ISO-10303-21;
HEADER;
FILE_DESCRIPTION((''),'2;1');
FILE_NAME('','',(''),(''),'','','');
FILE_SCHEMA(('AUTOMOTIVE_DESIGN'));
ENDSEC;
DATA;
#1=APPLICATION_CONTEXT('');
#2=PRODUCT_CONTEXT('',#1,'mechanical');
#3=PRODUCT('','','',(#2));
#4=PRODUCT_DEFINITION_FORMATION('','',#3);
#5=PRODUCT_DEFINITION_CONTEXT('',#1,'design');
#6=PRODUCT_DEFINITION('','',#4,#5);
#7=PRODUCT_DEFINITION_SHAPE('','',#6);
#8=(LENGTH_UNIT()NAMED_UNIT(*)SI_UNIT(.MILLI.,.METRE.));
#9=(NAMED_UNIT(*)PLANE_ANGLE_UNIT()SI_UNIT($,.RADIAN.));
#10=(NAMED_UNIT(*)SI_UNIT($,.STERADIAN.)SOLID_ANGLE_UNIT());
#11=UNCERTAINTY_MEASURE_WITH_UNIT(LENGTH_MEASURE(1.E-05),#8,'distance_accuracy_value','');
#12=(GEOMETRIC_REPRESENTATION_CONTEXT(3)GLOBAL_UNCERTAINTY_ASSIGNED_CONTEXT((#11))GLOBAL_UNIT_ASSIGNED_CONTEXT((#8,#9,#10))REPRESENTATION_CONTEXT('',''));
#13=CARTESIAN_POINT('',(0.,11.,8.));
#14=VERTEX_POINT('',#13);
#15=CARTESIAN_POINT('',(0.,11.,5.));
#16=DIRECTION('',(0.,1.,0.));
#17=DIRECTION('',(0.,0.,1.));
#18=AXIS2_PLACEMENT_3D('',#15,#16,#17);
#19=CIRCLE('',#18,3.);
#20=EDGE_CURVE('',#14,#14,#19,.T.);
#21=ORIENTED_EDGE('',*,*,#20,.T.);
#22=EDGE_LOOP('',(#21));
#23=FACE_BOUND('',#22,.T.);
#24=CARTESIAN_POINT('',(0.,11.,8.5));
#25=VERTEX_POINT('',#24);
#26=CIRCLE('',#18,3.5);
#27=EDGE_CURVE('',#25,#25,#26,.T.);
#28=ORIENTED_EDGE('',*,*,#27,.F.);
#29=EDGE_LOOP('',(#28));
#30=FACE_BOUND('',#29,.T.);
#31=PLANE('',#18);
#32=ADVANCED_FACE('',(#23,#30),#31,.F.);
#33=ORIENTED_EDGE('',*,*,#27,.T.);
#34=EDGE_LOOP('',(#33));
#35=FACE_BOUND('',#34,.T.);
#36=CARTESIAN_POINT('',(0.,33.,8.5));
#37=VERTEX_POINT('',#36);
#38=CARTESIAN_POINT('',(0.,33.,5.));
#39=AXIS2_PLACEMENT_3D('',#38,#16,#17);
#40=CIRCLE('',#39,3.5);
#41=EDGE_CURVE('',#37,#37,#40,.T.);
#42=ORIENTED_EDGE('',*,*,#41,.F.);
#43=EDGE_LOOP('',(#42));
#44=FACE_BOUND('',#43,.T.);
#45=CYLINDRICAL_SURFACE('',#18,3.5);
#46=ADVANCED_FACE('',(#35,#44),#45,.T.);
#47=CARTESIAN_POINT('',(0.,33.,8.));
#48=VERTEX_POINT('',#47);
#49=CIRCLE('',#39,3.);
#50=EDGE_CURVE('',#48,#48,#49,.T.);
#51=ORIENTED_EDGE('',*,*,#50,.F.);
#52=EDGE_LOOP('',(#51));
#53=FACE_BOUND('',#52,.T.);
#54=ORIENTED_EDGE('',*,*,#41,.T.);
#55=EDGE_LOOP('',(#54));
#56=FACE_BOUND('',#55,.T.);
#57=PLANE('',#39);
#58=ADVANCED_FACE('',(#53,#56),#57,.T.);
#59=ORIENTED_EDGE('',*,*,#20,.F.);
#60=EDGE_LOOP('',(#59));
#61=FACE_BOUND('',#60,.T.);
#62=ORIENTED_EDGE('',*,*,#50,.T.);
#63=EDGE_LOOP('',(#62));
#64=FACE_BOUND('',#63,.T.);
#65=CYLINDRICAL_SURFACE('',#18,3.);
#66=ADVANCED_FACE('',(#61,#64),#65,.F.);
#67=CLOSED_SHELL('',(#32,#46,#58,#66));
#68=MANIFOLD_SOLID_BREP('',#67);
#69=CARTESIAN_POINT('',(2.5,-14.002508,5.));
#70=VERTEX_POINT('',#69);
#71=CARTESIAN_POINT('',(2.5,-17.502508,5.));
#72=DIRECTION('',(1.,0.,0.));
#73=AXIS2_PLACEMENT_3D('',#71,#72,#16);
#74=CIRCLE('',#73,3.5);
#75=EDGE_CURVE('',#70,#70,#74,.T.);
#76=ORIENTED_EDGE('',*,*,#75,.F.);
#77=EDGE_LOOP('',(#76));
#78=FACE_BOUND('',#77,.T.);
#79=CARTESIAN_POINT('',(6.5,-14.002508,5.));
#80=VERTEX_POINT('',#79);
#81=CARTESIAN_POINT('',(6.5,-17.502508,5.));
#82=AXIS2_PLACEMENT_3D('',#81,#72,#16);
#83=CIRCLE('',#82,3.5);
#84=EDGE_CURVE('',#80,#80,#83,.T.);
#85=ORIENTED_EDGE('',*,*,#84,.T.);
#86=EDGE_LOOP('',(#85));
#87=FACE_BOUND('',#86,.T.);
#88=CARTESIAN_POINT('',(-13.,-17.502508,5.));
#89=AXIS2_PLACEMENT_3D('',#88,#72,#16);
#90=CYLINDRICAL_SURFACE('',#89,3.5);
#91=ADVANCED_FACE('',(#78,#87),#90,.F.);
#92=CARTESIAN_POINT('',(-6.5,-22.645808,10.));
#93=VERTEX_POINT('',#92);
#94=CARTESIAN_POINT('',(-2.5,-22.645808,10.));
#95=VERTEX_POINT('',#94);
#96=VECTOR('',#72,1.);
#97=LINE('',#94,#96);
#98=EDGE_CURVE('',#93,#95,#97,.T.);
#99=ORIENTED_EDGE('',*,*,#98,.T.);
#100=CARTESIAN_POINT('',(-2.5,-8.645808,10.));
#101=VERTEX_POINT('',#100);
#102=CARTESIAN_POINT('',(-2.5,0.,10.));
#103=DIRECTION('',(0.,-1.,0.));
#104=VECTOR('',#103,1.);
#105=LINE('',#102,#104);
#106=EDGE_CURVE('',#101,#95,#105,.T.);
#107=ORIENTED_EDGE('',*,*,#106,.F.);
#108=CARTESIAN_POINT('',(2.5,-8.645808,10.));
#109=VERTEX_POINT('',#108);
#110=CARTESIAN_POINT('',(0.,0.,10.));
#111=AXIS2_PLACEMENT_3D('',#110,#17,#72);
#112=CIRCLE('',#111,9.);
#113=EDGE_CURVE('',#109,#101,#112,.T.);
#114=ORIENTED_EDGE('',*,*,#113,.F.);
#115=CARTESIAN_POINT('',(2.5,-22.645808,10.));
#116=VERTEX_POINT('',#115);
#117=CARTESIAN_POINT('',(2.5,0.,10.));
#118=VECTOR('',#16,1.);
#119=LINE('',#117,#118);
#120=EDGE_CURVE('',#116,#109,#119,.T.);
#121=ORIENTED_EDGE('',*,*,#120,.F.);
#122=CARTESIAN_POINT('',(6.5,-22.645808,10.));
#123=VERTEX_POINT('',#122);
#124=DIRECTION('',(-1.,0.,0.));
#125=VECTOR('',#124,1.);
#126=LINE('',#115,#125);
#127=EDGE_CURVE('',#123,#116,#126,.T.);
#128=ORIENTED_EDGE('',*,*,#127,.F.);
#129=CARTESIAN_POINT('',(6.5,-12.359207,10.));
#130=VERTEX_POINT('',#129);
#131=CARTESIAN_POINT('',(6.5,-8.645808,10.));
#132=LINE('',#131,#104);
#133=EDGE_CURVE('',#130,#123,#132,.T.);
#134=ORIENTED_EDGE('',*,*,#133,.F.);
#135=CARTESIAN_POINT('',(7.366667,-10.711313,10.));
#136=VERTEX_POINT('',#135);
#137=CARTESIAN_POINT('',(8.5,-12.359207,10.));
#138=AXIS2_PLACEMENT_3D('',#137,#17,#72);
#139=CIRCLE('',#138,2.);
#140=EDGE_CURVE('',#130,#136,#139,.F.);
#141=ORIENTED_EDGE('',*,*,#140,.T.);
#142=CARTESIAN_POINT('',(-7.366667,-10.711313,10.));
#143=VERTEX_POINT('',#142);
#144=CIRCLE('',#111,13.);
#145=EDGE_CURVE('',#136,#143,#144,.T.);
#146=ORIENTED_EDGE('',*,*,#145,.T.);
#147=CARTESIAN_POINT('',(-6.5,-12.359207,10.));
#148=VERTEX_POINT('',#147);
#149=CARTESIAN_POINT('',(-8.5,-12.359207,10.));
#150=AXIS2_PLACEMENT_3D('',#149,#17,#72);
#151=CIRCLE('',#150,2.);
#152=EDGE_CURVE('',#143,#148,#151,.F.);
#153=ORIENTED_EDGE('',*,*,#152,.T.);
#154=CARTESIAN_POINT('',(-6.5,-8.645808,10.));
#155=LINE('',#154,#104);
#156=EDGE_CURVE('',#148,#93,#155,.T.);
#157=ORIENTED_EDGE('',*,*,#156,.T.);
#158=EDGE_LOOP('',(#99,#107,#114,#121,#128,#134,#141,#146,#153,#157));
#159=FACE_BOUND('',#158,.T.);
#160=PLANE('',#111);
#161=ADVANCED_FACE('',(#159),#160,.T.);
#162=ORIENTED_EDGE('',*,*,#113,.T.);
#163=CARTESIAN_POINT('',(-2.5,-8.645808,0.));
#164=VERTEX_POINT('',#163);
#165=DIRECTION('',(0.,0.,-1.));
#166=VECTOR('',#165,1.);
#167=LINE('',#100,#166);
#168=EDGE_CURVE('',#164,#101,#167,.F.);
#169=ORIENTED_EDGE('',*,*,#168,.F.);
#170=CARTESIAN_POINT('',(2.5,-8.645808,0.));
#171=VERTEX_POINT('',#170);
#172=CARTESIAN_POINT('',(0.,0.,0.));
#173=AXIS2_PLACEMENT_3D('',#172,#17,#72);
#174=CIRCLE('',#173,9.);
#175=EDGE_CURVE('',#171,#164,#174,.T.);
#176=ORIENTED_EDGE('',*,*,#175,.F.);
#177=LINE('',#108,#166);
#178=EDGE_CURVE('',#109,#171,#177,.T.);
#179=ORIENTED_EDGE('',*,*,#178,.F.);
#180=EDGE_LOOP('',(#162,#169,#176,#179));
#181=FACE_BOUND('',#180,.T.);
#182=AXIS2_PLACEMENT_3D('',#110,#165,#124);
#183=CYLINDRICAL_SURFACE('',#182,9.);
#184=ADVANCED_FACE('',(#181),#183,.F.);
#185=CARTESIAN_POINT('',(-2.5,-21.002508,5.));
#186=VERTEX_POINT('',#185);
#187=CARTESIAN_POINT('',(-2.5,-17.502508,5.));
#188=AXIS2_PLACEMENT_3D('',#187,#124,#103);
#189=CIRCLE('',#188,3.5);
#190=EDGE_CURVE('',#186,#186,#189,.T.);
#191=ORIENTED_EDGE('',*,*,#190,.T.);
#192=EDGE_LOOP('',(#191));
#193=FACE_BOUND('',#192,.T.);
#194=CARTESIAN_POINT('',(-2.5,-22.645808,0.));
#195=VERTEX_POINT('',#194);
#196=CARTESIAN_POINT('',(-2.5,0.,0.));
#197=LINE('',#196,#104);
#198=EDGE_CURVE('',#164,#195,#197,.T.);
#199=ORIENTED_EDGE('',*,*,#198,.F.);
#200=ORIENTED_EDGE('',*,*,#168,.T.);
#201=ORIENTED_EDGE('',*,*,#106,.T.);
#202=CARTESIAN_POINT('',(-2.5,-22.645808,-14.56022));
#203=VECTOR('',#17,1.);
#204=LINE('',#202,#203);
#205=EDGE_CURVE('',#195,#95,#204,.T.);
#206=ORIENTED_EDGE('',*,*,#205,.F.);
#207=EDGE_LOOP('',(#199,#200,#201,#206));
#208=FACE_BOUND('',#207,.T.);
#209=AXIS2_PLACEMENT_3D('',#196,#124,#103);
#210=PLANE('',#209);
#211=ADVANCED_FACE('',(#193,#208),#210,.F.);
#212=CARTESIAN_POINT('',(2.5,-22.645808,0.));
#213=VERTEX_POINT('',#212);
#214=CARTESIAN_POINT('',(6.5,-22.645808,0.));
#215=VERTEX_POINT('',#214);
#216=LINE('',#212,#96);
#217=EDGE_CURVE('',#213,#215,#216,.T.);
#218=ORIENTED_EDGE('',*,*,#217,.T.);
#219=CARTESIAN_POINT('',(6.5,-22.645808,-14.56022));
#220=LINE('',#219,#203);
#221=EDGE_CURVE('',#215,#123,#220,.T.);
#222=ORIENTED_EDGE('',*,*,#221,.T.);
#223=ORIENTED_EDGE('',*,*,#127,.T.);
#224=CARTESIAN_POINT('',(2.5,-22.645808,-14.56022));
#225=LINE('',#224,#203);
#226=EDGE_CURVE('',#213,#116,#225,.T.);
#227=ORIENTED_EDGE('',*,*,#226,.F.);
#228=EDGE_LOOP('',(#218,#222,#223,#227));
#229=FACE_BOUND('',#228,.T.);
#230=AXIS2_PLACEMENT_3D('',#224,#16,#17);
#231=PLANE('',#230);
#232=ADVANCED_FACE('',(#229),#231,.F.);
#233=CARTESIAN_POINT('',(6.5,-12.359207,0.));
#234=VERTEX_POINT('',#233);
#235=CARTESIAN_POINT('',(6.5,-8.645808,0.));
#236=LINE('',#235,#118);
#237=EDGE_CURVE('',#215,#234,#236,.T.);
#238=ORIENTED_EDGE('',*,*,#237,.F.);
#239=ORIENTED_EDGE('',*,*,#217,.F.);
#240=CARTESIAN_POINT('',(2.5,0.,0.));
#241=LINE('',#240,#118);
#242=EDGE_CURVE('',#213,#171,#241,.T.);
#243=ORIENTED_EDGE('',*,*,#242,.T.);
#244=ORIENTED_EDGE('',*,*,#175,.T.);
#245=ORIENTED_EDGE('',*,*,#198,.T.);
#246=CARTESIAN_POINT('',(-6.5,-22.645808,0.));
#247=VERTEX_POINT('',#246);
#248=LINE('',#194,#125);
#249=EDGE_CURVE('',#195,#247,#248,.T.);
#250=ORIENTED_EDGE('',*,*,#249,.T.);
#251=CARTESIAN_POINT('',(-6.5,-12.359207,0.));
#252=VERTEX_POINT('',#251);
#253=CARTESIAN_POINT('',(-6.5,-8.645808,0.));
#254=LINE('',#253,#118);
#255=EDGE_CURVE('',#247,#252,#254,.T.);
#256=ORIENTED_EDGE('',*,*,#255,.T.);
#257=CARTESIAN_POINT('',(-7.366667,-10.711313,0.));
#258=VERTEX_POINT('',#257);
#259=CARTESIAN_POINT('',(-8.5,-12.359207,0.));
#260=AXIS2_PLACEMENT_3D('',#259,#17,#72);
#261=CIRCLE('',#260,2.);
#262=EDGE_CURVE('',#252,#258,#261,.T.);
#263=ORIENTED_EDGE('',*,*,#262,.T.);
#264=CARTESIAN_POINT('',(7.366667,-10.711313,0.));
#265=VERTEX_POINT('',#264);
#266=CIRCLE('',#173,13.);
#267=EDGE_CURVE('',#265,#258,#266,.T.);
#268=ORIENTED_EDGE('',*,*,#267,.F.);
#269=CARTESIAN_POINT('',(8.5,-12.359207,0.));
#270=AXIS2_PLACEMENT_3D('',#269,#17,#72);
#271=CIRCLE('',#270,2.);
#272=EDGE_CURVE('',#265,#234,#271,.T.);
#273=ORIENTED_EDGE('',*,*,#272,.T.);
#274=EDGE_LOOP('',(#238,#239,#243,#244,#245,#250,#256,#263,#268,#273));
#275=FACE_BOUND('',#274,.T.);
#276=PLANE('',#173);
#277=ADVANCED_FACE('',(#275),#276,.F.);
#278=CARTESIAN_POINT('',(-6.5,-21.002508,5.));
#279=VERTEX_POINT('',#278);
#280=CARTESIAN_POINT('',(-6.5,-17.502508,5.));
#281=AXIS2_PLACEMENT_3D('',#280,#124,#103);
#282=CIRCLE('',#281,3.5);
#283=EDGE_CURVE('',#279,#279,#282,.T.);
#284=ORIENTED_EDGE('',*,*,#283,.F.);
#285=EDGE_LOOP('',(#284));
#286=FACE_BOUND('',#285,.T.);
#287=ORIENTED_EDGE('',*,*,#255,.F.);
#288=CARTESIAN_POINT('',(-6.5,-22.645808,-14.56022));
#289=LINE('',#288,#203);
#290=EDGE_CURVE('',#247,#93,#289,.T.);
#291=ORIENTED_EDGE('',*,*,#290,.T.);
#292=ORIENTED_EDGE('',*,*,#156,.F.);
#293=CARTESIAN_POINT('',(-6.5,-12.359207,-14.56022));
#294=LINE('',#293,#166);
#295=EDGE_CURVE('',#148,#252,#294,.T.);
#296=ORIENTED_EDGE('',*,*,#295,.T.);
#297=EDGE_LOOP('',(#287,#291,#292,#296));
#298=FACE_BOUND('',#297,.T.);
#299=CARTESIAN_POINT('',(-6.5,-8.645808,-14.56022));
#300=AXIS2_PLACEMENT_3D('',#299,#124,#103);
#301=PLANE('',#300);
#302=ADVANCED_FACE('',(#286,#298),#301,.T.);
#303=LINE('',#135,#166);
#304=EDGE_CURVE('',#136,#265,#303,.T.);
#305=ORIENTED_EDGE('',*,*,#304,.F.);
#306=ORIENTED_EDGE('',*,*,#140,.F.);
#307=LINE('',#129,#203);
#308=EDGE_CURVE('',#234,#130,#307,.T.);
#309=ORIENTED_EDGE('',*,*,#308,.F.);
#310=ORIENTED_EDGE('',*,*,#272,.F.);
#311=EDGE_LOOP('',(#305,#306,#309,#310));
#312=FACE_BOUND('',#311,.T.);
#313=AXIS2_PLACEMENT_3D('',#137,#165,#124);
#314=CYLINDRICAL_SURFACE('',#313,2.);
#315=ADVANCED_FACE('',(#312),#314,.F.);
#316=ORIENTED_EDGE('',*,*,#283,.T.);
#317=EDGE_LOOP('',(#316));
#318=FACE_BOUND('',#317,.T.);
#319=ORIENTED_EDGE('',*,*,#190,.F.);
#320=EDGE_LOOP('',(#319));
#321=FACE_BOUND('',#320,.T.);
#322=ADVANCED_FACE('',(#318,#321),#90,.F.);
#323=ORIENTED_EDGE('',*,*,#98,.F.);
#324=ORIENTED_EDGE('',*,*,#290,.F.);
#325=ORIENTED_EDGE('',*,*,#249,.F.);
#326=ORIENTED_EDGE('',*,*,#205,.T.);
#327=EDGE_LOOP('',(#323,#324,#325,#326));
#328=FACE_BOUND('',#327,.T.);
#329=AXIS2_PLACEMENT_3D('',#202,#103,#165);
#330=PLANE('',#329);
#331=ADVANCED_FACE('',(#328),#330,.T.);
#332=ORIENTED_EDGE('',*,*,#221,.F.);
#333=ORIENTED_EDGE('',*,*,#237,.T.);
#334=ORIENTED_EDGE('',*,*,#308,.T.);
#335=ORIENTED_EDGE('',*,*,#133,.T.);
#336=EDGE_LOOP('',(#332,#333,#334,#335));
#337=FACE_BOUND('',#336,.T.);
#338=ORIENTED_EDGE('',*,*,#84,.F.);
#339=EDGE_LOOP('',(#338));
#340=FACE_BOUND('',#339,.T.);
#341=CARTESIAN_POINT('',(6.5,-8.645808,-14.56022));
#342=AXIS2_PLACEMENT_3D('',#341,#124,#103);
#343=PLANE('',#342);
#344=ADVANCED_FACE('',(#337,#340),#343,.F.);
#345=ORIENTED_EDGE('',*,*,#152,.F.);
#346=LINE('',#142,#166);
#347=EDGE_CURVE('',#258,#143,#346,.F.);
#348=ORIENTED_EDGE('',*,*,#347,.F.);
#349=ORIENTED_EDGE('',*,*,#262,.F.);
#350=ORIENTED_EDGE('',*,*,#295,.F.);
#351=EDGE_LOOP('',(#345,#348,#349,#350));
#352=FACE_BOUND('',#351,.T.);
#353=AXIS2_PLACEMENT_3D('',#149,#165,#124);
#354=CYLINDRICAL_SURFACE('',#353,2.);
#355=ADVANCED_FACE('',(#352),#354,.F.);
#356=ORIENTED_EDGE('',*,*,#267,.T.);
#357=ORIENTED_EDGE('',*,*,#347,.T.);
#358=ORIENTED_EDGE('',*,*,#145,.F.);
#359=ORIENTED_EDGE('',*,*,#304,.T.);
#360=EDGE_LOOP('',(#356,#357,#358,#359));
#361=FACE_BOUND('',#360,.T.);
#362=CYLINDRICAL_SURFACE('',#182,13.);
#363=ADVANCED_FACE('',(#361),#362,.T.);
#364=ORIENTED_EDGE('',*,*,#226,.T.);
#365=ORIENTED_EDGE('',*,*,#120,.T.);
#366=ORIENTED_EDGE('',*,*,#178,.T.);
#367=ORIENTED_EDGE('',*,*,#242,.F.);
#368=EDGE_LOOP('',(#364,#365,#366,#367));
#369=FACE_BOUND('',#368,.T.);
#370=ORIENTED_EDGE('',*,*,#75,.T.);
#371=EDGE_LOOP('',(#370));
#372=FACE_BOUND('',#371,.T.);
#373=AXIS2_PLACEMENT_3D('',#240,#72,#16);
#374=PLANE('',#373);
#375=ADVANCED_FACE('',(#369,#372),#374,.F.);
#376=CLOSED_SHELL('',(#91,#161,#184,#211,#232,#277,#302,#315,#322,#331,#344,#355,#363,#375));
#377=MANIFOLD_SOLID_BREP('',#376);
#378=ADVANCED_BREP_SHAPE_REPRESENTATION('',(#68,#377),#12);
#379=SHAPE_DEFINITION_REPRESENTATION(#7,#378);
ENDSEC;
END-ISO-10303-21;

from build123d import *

# Parameters (mm, degrees)
SCHIZZO1_R                        = 13
SCHIZZO1_R_2                      = 9
ANELLO_DEPTH                      = 10
SCHIZZO2_W                        = 5
SCHIZZO2_H                        = 13
TAGLIOANELLO_DEPTH                = 21.928449536
SCHIZZO3_W                        = 4
SCHIZZO3_H                        = 14
BORDOVITEDESTRO_DEPTH             = 10
RACCORDODESTRO_R                  = 2
RACCORDOSINISTRO_R                = 2
SCHIZZO4_R                        = 3.5
FOROVITE_DEPTH                    = 32.513213586
AGGANCIOLONGHERONECODA_DEPTH      = 20
AGGANCIOLONGHERONECODA_DEPTH_BACK = 2
SCHIZZO5_R                        = 3.5
SCHIZZO5_R_2                      = 3


with BuildPart() as part:
    # Schizzo1 → Anello (new body)
    with BuildSketch(Plane.XY):
        Circle(SCHIZZO1_R)
        Circle(SCHIZZO1_R_2, mode=Mode.SUBTRACT)
    extrude(amount=ANELLO_DEPTH)

    # Schizzo2 → TaglioAnello (cut, through all)
    with BuildSketch(Plane.XY.offset(10)):
        with Locations((0, -6.5)):
            Rectangle(SCHIZZO2_W, SCHIZZO2_H)
    extrude(amount=-TAGLIOANELLO_DEPTH, mode=Mode.SUBTRACT)

    # Schizzo3 → BordoViteDestro (add)
    with BuildSketch(Plane.XY.offset(10)):
        with Locations((-4.5, -15.645808233)):
            Rectangle(SCHIZZO3_W, SCHIZZO3_H)
    bordovitedestro = extrude(amount=-BORDOVITEDESTRO_DEPTH)

    # BordoViteSinistro: BordoViteDestro across plane
    add(bordovitedestro.mirror(Plane(origin=(0, 0, 0), x_dir=(0, 0, 1), z_dir=(1, 0, 0))))

    # RaccordoDestro
    raccordodestro_edges = [part.edges().sort_by_distance(p)[0] for p in [
        (-6.5, -11.258330249, 5),
    ]]
    fillet(raccordodestro_edges, radius=RACCORDODESTRO_R)

    # RaccordoSinistro
    raccordosinistro_edges = [part.edges().sort_by_distance(p)[0] for p in [
        (6.5, -11.258330249, 5),
    ]]
    fillet(raccordosinistro_edges, radius=RACCORDOSINISTRO_R)

    # Schizzo4 → ForoVite (cut, through all)
    with BuildSketch(Plane(origin=(6.5, 0, 0), x_dir=(0, 0, -1), z_dir=(1, 0, 0))):
        with Locations(Location((-5, -17.502507664, 0), (0, 0, 90))):
            Circle(SCHIZZO4_R)
    extrude(amount=-FOROVITE_DEPTH, mode=Mode.SUBTRACT)


with BuildPart() as body_2:
    # Schizzo5 → AggancioLongheroneCoda (new, two sides: drawn at the far end of the back side and taken through both)
    with BuildSketch(Plane(origin=(0, 13, 0), x_dir=(1, 0, 0), z_dir=(0, 1, 0)).offset(-AGGANCIOLONGHERONECODA_DEPTH_BACK)):
        with Locations(Location((0, -5, 0), (0, 0, 270))):
            Circle(SCHIZZO5_R)
        with Locations(Location((0, -5, 0), (0, 0, 270))):
            Circle(SCHIZZO5_R_2, mode=Mode.SUBTRACT)
    extrude(amount=AGGANCIOLONGHERONECODA_DEPTH + AGGANCIOLONGHERONECODA_DEPTH_BACK)


solid = Compound([part.part, body_2.part])
